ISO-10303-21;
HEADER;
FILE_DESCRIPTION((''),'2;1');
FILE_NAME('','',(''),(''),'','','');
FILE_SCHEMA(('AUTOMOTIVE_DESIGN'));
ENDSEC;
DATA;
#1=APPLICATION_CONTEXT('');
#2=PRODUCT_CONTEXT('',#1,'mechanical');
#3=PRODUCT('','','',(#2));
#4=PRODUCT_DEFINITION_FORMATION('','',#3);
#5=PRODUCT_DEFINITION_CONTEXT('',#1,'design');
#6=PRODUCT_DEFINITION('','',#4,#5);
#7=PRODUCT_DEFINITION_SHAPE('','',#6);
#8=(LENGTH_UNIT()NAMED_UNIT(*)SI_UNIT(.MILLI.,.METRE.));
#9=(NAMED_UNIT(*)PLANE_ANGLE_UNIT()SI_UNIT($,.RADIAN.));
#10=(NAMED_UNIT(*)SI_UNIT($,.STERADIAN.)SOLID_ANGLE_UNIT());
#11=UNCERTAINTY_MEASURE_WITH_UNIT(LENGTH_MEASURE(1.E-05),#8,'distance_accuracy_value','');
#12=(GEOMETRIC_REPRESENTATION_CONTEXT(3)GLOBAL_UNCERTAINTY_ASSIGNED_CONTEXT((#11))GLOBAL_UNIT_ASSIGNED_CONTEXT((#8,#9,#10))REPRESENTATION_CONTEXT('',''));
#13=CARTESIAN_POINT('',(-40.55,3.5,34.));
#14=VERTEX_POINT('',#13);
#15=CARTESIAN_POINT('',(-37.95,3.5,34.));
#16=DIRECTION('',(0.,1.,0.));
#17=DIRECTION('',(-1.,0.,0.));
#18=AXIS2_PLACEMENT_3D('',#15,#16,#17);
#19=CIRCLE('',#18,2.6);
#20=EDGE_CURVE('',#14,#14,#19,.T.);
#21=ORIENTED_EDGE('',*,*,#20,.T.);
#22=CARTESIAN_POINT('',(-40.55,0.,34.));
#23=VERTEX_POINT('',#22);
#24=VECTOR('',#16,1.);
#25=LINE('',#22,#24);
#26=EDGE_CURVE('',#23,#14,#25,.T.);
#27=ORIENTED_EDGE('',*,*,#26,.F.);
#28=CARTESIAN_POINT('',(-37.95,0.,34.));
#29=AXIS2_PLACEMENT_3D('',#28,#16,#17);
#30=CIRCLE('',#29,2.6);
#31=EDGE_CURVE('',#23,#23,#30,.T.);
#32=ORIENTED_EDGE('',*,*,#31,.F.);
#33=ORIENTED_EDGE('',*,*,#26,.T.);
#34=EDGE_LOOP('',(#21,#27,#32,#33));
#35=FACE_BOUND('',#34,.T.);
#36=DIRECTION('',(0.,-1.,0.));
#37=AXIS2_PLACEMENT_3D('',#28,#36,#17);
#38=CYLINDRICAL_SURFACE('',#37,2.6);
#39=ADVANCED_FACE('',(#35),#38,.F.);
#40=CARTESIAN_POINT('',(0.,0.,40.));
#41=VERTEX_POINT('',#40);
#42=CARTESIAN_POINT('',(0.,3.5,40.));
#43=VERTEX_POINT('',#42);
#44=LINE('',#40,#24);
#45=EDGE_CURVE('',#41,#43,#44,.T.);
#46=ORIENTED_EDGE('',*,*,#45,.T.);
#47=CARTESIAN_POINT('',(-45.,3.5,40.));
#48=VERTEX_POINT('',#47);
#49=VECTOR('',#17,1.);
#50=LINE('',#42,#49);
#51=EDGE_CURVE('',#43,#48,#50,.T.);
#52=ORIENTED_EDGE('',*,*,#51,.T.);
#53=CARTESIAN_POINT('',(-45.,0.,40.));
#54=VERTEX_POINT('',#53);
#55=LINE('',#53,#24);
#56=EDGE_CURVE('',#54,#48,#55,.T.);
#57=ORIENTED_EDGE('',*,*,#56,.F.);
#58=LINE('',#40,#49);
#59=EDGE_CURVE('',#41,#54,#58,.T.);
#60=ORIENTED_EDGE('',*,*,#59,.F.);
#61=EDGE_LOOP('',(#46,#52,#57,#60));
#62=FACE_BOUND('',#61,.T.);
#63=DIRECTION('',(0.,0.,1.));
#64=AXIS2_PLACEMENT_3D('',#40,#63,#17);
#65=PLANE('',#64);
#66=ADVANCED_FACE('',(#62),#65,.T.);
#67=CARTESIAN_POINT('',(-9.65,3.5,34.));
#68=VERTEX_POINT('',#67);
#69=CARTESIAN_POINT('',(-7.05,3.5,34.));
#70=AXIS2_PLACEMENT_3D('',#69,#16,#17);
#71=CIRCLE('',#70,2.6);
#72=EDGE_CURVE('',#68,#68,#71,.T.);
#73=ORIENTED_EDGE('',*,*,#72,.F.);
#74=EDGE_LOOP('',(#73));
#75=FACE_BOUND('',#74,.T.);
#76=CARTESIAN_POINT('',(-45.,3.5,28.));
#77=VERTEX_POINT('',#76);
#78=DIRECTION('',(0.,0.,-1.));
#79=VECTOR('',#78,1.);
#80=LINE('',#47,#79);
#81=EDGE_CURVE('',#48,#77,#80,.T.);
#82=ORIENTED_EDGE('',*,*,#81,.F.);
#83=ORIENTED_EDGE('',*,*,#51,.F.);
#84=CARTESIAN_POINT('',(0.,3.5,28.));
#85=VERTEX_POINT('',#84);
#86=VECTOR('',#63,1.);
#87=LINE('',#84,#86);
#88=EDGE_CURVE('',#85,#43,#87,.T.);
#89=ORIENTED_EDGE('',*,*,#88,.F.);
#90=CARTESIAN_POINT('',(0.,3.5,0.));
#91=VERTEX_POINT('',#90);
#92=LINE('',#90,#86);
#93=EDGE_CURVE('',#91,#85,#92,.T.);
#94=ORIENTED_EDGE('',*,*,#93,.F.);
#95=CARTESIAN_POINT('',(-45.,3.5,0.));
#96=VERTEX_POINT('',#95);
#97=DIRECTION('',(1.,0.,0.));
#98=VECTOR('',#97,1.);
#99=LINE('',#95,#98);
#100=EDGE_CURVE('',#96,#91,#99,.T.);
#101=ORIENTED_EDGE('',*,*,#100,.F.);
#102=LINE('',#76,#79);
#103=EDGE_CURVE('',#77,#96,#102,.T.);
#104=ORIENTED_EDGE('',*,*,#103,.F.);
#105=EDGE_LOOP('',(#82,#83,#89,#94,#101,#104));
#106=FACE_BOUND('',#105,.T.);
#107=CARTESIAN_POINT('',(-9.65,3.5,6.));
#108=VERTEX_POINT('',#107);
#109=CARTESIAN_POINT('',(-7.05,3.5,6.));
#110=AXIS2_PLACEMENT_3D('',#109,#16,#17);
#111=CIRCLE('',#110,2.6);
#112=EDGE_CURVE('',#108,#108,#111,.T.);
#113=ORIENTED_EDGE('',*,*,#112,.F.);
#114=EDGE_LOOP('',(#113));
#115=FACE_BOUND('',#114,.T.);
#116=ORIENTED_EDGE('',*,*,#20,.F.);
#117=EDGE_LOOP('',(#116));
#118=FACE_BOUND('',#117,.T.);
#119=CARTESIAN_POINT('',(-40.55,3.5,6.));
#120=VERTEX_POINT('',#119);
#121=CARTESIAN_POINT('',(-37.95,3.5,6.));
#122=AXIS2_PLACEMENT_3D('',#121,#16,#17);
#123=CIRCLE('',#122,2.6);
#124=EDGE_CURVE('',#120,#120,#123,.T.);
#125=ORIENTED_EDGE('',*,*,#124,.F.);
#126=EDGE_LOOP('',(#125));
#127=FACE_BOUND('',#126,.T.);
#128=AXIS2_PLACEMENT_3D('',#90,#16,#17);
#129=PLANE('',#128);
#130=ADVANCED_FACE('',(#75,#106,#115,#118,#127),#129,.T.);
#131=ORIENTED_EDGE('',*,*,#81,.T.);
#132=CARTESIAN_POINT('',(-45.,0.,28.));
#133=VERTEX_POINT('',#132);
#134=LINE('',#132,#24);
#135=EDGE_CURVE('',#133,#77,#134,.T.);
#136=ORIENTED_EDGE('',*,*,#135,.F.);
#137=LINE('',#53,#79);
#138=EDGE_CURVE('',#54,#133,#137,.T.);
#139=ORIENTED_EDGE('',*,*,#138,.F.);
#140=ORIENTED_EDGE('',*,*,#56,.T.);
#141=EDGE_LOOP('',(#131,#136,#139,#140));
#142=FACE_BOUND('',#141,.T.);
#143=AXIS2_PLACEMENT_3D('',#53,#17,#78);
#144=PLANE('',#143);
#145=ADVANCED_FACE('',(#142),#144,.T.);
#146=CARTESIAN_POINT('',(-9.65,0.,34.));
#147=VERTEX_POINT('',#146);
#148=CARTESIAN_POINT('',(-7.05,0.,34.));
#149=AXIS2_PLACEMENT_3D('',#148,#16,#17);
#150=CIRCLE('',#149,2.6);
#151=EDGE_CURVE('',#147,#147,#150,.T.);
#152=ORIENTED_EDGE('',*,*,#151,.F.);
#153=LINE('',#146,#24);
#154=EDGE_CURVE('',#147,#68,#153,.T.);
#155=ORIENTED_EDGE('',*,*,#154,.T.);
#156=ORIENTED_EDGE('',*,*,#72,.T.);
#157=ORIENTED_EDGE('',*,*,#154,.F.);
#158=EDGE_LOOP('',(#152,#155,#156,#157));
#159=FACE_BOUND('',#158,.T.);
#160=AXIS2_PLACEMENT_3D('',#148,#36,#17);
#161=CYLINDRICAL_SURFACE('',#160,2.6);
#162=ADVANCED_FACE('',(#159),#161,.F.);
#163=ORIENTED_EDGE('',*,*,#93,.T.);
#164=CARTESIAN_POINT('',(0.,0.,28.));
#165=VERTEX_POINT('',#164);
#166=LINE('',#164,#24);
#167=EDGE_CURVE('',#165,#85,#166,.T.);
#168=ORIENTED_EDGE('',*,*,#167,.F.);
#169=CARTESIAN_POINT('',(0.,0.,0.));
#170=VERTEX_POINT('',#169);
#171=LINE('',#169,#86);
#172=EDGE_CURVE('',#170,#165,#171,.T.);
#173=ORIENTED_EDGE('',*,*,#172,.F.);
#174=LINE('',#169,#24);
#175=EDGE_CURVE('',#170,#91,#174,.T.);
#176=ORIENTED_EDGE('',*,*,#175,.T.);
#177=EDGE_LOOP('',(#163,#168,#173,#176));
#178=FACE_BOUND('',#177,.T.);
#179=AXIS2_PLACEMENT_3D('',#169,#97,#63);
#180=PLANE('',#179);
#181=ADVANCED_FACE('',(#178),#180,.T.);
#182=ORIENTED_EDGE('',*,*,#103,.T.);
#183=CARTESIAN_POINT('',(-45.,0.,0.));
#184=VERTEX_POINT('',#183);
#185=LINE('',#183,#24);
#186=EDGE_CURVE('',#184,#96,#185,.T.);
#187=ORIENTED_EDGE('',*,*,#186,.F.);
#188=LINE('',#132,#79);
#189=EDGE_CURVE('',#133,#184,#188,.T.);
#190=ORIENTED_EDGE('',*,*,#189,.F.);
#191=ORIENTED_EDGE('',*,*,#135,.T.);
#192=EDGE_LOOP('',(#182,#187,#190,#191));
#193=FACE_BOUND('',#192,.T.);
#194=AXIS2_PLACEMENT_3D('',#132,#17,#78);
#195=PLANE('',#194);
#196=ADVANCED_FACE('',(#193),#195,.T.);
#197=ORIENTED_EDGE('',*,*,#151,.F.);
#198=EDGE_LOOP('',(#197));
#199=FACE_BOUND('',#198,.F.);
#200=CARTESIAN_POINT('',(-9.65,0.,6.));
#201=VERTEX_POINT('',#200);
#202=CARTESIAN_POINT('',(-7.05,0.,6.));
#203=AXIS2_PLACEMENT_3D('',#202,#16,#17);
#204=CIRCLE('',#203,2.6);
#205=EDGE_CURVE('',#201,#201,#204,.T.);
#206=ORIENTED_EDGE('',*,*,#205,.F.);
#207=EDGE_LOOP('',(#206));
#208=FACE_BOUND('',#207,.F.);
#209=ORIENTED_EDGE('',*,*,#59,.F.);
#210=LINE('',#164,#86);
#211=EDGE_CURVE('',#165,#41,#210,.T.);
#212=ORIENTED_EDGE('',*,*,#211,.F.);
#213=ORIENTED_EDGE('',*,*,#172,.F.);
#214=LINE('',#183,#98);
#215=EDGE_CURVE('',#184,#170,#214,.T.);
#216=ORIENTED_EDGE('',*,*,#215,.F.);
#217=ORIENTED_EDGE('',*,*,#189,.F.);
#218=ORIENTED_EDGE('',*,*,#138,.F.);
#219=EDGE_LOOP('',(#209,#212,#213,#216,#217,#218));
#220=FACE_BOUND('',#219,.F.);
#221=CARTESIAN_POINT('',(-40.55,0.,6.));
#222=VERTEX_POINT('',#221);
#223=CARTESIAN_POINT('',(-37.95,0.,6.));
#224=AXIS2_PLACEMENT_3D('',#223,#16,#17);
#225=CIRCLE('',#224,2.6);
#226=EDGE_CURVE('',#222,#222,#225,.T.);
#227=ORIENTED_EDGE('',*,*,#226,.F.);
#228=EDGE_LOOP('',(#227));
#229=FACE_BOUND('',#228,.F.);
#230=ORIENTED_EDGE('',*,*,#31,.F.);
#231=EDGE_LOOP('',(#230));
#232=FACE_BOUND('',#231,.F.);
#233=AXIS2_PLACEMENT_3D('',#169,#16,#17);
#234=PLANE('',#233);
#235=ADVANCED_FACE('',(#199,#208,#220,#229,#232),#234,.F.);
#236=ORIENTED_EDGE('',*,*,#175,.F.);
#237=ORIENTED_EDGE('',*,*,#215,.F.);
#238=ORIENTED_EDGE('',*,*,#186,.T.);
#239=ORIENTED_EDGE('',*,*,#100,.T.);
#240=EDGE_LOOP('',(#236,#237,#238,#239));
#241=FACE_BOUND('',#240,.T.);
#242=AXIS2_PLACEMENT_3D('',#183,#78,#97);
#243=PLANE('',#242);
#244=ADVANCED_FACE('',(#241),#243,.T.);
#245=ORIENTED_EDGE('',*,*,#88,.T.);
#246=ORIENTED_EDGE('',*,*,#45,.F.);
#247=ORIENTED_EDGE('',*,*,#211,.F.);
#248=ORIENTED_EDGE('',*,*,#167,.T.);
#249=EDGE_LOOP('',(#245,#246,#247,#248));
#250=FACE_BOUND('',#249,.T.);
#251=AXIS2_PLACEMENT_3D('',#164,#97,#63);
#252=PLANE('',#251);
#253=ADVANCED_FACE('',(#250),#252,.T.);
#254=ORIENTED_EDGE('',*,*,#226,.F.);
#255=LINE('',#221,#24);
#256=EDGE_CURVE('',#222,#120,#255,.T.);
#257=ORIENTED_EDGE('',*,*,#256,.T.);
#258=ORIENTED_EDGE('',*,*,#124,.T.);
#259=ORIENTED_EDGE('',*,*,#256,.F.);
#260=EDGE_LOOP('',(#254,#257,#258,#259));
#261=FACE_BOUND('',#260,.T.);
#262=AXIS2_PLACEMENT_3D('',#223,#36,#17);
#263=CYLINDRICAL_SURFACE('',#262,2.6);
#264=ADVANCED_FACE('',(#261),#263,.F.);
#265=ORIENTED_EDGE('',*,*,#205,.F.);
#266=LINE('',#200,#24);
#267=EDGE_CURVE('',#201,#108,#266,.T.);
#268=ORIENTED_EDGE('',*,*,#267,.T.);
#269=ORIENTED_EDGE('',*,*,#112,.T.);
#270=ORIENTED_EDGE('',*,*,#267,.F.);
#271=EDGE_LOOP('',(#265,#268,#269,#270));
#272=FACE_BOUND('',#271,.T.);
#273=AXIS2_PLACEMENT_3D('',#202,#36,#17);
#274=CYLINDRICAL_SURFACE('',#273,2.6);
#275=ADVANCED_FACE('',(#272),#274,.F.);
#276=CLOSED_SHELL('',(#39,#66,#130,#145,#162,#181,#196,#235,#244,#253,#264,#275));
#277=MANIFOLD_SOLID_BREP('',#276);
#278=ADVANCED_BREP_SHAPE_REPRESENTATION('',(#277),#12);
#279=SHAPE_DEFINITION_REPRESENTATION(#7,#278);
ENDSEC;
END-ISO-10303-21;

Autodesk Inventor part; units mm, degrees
ref_plane "YZ Plane" through (0, 0, 0) normal (1, 0, 0) x (0, 1, 0)
ref_plane "XZ Plane" through (0, 0, 0) normal (0, 1, 0) x (-1, 0, 0)
ref_plane "XY Plane" through (0, 0, 0) normal (0, 0, 1) x (1, 0, 0)
sketch "Sketch1" plane through (0, 0, 0) normal (0, 1, 0) x (-1, 0, 0)
  line L0 (17.2372, 12) -> (17.2372, 28) construction
  line L1 (14.9628, 12) -> (17.2372, 12) construction
  line L2 (14.9628, 12) -> (14.9628, 28) construction
  line L3 (17.2372, 28) -> (14.9628, 28) construction
  line L4 (14.2372, 12) -> (14.2372, 28) construction
  line L5 (11.9628, 12) -> (14.2372, 12) construction
  line L6 (11.9628, 12) -> (11.9628, 28) construction
  line L7 (14.2372, 28) -> (11.9628, 28) construction
  line L8 (20.2372, 28) -> (17.9628, 28) construction
  line L9 (20.2372, 12) -> (20.2372, 28) construction
  line L10 (17.9628, 12) -> (20.2372, 12) construction
  line L11 (17.9628, 12) -> (17.9628, 28) construction
  line L12 (11.2372, 12) -> (11.2372, 28) construction
  line L13 (8.9628, 12) -> (11.2372, 12) construction
  line L14 (8.9628, 12) -> (8.9628, 28) construction
  line L15 (11.2372, 28) -> (8.9628, 28) construction
  line L16 (23.2372, 28) -> (20.9628, 28) construction
  line L17 (23.2372, 12) -> (23.2372, 28) construction
  line L18 (20.9628, 12) -> (23.2372, 12) construction
  line L19 (20.9628, 12) -> (20.9628, 28) construction
  line L20 (8.2372, 12) -> (8.2372, 28) construction
  line L21 (5.9628, 12) -> (8.2372, 12) construction
  line L22 (5.9628, 12) -> (5.9628, 28) construction
  line L23 (8.2372, 28) -> (5.9628, 28) construction
  line L24 (26.2372, 28) -> (23.9628, 28) construction
  line L25 (26.2372, 12) -> (26.2372, 28) construction
  line L26 (23.9628, 12) -> (26.2372, 12) construction
  line L27 (23.9628, 12) -> (23.9628, 28) construction
  line L28 (5.2372, 12) -> (5.2372, 28) construction
  line L29 (2.9628, 12) -> (5.2372, 12) construction
  line L30 (2.9628, 12) -> (2.9628, 28) construction
  line L31 (5.2372, 28) -> (2.9628, 28) construction
  line L32 (29.2372, 28) -> (26.9628, 28) construction
  line L33 (29.2372, 12) -> (29.2372, 28) construction
  line L34 (26.9628, 12) -> (29.2372, 12) construction
  line L35 (26.9628, 12) -> (26.9628, 28) construction
  line L36 (2.2372, 12) -> (2.2372, 28) construction
  line L37 (0, 12) -> (2.2372, 12) construction
  line L38 (0, 0) -> (0, 28)
  line L39 (45, 0) -> (0, 0)
  line L40 (45, 28) -> (45, 0)
  line L41 (43.8628, 12) -> (45, 12) construction
  line L42 (43.8628, 12) -> (43.8628, 28) construction
  line L43 (45, 28) -> (43.8628, 28) construction
  line L44 (45, 40) -> (45, 28)
  line L45 (0, 40) -> (45, 40)
  line L46 (0, 28) -> (0, 40)
  line L47 (2.2372, 28) -> (0, 28) construction
  circle A0 centre (7.05, 34) radius 2.6
  circle A1 centre (37.95, 34) radius 2.6
  circle A2 centre (37.95, 6) radius 2.6
  circle A3 centre (7.05, 6) radius 2.6
  line L48 (32.2372, 28) -> (29.9628, 28) construction
  line L49 (32.2372, 12) -> (32.2372, 28) construction
  line L50 (29.9628, 12) -> (32.2372, 12) construction
  line L51 (29.9628, 12) -> (29.9628, 28) construction
  line L52 (37.95, 6) -> (7.05, 6) construction
  line L53 (7.05, 6) -> (7.05, 34) construction
  line L54 (7.05, 34) -> (37.95, 34) construction
  line L55 (37.95, 34) -> (37.95, 6) construction
  point P0 (34.1, 12)
  dimension "d2" = 45
  dimension "d3" = 40
  dimension "d4" = 30.9
extrude "Extrusion1" add sketch "Sketch1" along normal blind 3.5
properties part number "X Axis Belt Adjustable Top"
